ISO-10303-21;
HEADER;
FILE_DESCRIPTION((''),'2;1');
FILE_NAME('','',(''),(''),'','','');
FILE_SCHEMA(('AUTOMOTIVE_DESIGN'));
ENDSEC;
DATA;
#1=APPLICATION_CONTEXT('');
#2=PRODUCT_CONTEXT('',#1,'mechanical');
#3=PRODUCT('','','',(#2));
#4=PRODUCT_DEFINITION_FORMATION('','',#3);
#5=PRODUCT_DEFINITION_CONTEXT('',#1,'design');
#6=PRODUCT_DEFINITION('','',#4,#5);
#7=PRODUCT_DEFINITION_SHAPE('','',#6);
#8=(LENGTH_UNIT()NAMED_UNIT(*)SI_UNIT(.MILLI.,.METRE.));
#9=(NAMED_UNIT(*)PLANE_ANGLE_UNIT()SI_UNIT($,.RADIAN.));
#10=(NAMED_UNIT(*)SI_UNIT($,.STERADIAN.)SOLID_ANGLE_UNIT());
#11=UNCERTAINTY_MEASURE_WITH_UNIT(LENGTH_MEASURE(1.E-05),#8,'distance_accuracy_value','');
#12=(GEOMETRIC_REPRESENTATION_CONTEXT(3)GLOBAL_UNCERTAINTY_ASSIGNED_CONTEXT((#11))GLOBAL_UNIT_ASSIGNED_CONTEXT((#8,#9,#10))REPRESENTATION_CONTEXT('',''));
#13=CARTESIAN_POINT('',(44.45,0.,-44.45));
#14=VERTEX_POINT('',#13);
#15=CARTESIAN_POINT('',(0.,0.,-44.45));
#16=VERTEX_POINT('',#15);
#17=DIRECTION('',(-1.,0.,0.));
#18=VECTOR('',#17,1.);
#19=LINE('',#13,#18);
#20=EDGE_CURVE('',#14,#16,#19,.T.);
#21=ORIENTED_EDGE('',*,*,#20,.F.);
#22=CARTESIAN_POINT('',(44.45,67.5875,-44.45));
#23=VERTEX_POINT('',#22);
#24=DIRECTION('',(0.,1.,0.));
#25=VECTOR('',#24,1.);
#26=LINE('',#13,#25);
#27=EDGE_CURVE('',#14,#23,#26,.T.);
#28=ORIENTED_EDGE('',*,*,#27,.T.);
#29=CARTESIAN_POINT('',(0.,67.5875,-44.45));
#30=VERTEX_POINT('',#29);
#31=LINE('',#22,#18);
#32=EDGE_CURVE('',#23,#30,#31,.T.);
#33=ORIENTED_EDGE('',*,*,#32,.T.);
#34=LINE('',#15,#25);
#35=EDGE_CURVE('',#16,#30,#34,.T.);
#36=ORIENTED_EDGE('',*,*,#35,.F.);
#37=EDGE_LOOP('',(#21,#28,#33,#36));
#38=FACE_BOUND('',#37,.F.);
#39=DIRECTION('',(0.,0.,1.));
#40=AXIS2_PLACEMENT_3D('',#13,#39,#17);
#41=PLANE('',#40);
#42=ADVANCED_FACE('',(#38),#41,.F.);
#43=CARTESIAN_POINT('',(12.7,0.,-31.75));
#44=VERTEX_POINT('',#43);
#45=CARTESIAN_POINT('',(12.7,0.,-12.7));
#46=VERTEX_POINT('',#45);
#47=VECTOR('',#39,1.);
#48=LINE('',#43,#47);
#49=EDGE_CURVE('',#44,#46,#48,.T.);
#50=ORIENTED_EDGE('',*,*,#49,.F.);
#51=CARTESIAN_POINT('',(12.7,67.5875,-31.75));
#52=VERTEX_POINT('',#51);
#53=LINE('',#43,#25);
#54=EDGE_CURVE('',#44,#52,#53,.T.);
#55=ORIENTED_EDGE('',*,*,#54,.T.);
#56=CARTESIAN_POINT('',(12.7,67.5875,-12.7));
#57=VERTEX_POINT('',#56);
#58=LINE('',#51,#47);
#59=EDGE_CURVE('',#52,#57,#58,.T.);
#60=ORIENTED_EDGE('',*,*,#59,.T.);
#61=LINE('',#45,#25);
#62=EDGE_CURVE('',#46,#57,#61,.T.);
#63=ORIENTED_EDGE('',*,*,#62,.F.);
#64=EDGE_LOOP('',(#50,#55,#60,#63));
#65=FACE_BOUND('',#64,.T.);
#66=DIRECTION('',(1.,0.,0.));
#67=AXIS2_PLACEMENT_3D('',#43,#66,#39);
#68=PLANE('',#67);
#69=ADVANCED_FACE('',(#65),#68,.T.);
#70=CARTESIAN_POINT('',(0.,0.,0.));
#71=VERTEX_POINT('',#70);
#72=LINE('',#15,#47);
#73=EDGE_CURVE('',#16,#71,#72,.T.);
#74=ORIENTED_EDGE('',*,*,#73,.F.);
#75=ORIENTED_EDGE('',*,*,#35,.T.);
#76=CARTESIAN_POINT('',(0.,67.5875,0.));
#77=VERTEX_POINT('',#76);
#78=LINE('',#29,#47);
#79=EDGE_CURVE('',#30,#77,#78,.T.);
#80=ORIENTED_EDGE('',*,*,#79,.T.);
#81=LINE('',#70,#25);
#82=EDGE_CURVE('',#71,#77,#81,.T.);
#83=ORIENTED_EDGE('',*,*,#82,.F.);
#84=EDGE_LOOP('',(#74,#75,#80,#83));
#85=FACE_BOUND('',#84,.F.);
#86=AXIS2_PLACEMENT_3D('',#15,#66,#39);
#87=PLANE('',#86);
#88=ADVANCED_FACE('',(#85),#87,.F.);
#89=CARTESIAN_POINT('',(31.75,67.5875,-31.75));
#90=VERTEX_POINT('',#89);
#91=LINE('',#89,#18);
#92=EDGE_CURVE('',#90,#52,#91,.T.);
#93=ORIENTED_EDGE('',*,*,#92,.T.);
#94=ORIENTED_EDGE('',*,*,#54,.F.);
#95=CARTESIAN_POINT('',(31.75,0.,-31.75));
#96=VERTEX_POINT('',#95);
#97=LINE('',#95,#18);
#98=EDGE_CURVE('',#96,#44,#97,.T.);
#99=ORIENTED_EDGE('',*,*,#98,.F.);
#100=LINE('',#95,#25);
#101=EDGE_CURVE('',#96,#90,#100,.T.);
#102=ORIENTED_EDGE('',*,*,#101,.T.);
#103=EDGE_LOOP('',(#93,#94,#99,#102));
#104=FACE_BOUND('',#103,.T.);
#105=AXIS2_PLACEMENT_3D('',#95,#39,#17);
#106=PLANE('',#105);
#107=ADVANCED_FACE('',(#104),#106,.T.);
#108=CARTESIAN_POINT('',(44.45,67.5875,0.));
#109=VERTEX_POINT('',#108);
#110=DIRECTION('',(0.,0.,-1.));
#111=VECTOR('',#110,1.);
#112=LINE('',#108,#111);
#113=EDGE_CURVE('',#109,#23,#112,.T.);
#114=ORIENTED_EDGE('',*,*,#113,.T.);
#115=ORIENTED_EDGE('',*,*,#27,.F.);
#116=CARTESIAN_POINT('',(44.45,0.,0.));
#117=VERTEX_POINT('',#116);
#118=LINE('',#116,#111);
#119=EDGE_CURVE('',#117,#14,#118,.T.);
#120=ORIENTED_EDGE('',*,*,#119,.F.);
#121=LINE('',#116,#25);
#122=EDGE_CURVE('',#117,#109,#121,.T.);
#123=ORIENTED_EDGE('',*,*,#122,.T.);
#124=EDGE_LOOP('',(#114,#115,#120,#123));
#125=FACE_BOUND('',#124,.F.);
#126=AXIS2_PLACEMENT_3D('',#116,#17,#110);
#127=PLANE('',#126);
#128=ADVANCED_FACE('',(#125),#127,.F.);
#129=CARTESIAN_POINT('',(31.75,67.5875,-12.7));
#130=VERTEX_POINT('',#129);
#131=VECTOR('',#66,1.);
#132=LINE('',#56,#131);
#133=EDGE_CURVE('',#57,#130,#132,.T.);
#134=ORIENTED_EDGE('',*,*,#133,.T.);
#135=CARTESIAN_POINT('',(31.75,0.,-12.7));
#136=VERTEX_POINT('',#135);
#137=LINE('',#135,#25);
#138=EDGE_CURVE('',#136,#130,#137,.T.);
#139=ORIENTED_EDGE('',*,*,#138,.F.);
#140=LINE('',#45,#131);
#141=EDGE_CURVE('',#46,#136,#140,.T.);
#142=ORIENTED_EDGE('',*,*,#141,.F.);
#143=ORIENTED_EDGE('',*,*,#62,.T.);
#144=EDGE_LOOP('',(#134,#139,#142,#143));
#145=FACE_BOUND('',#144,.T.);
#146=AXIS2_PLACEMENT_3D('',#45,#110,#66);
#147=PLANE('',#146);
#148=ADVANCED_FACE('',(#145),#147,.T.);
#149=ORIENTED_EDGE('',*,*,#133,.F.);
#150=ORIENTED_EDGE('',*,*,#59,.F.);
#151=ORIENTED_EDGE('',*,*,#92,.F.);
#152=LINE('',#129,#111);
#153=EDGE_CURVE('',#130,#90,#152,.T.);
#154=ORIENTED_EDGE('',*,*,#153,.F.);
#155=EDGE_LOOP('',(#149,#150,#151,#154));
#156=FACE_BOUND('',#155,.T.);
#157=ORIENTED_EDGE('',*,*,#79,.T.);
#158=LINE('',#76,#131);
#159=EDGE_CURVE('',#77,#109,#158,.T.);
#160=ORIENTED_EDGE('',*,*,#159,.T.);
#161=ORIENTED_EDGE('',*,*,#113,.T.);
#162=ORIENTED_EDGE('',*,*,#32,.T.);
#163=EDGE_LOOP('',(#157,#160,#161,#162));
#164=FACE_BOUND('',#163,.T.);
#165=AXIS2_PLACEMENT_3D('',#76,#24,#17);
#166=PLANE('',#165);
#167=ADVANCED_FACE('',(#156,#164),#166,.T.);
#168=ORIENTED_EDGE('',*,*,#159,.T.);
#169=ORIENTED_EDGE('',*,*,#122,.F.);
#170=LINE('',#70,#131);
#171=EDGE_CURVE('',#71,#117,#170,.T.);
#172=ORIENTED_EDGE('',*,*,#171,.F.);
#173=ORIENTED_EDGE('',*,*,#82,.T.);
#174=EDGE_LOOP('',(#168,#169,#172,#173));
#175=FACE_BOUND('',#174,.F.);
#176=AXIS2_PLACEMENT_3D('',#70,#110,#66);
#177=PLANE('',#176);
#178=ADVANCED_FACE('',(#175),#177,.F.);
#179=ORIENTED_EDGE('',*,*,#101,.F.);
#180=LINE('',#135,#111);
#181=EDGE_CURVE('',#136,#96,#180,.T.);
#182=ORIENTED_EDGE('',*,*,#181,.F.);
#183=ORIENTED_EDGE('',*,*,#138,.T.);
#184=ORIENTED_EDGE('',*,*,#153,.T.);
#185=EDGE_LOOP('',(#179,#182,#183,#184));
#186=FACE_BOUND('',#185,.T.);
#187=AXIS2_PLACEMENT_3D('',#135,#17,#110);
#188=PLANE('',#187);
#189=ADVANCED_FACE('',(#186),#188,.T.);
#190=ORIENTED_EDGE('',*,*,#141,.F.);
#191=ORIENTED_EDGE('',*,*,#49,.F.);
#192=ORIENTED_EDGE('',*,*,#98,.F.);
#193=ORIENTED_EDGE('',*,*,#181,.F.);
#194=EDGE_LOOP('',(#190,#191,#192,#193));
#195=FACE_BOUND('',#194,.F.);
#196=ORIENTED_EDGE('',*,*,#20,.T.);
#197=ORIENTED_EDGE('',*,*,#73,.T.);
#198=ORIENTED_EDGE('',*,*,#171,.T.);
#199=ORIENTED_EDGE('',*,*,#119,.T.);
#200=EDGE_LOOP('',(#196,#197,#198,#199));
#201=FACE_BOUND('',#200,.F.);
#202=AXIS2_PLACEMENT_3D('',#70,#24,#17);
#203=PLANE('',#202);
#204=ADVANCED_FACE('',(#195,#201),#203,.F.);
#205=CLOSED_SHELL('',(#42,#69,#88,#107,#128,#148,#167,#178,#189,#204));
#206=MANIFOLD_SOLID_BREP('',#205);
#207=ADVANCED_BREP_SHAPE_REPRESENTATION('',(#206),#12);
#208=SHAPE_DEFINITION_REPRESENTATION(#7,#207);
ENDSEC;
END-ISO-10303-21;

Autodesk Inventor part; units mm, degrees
ref_plane "YZ Plane" through (0, 0, 0) normal (1, 0, 0) x (0, 1, 0)
ref_plane "XZ Plane" through (0, 0, 0) normal (0, 1, 0) x (-1, 0, 0)
ref_plane "XY Plane" through (0, 0, 0) normal (0, 0, 1) x (1, 0, 0)
sketch "Sketch1" plane through (0, 0, 0) normal (0, 1, 0) x (-1, 0, 0)
  line L0 (0, 0) -> (-44.45, 0)
  line L1 (-44.45, 0) -> (-44.45, -44.45)
  line L2 (-44.45, -44.45) -> (0, -44.45)
  line L3 (0, -44.45) -> (0, 0)
  line L4 (-12.7, -12.7) -> (-31.75, -12.7)
  line L5 (-31.75, -12.7) -> (-31.75, -31.75)
  line L6 (-31.75, -31.75) -> (-12.7, -31.75)
  line L7 (-12.7, -31.75) -> (-12.7, -12.7)
  dimension "InnerWidth" = 19.05
  dimension "InnerWidth2" = 19.05
  dimension "Width" = 44.45
  dimension "Width2" = 44.45
  dimension "d4" = 12.7
  dimension "d5" = 12.7
extrude "Extrusion1" add sketch "Sketch1" along normal blind 67.5875
equation "\"InnerWidth\" = MastWidth"
equation "\"InnerWidth2\" = InnerWidth"
equation "\"Width\" = MastWidth + 2 * BaseSupportThickness"
equation "\"Width2\" = Width"
equation "\"d4\" = -0.5 * InnerWidth + 0.5 * Width"
equation "\"d5\" = d4"
equation "\"d6\" = BaseSupportHeight"
equation "\"MastWidth\" = 19.05"
equation "\"BaseSupportThickness\" = 12.7"
equation "\"BaseSupportHeight\" = 67.5875"
properties part number "Robot-Base-Mast-Support" material "Wood (Birch)"
